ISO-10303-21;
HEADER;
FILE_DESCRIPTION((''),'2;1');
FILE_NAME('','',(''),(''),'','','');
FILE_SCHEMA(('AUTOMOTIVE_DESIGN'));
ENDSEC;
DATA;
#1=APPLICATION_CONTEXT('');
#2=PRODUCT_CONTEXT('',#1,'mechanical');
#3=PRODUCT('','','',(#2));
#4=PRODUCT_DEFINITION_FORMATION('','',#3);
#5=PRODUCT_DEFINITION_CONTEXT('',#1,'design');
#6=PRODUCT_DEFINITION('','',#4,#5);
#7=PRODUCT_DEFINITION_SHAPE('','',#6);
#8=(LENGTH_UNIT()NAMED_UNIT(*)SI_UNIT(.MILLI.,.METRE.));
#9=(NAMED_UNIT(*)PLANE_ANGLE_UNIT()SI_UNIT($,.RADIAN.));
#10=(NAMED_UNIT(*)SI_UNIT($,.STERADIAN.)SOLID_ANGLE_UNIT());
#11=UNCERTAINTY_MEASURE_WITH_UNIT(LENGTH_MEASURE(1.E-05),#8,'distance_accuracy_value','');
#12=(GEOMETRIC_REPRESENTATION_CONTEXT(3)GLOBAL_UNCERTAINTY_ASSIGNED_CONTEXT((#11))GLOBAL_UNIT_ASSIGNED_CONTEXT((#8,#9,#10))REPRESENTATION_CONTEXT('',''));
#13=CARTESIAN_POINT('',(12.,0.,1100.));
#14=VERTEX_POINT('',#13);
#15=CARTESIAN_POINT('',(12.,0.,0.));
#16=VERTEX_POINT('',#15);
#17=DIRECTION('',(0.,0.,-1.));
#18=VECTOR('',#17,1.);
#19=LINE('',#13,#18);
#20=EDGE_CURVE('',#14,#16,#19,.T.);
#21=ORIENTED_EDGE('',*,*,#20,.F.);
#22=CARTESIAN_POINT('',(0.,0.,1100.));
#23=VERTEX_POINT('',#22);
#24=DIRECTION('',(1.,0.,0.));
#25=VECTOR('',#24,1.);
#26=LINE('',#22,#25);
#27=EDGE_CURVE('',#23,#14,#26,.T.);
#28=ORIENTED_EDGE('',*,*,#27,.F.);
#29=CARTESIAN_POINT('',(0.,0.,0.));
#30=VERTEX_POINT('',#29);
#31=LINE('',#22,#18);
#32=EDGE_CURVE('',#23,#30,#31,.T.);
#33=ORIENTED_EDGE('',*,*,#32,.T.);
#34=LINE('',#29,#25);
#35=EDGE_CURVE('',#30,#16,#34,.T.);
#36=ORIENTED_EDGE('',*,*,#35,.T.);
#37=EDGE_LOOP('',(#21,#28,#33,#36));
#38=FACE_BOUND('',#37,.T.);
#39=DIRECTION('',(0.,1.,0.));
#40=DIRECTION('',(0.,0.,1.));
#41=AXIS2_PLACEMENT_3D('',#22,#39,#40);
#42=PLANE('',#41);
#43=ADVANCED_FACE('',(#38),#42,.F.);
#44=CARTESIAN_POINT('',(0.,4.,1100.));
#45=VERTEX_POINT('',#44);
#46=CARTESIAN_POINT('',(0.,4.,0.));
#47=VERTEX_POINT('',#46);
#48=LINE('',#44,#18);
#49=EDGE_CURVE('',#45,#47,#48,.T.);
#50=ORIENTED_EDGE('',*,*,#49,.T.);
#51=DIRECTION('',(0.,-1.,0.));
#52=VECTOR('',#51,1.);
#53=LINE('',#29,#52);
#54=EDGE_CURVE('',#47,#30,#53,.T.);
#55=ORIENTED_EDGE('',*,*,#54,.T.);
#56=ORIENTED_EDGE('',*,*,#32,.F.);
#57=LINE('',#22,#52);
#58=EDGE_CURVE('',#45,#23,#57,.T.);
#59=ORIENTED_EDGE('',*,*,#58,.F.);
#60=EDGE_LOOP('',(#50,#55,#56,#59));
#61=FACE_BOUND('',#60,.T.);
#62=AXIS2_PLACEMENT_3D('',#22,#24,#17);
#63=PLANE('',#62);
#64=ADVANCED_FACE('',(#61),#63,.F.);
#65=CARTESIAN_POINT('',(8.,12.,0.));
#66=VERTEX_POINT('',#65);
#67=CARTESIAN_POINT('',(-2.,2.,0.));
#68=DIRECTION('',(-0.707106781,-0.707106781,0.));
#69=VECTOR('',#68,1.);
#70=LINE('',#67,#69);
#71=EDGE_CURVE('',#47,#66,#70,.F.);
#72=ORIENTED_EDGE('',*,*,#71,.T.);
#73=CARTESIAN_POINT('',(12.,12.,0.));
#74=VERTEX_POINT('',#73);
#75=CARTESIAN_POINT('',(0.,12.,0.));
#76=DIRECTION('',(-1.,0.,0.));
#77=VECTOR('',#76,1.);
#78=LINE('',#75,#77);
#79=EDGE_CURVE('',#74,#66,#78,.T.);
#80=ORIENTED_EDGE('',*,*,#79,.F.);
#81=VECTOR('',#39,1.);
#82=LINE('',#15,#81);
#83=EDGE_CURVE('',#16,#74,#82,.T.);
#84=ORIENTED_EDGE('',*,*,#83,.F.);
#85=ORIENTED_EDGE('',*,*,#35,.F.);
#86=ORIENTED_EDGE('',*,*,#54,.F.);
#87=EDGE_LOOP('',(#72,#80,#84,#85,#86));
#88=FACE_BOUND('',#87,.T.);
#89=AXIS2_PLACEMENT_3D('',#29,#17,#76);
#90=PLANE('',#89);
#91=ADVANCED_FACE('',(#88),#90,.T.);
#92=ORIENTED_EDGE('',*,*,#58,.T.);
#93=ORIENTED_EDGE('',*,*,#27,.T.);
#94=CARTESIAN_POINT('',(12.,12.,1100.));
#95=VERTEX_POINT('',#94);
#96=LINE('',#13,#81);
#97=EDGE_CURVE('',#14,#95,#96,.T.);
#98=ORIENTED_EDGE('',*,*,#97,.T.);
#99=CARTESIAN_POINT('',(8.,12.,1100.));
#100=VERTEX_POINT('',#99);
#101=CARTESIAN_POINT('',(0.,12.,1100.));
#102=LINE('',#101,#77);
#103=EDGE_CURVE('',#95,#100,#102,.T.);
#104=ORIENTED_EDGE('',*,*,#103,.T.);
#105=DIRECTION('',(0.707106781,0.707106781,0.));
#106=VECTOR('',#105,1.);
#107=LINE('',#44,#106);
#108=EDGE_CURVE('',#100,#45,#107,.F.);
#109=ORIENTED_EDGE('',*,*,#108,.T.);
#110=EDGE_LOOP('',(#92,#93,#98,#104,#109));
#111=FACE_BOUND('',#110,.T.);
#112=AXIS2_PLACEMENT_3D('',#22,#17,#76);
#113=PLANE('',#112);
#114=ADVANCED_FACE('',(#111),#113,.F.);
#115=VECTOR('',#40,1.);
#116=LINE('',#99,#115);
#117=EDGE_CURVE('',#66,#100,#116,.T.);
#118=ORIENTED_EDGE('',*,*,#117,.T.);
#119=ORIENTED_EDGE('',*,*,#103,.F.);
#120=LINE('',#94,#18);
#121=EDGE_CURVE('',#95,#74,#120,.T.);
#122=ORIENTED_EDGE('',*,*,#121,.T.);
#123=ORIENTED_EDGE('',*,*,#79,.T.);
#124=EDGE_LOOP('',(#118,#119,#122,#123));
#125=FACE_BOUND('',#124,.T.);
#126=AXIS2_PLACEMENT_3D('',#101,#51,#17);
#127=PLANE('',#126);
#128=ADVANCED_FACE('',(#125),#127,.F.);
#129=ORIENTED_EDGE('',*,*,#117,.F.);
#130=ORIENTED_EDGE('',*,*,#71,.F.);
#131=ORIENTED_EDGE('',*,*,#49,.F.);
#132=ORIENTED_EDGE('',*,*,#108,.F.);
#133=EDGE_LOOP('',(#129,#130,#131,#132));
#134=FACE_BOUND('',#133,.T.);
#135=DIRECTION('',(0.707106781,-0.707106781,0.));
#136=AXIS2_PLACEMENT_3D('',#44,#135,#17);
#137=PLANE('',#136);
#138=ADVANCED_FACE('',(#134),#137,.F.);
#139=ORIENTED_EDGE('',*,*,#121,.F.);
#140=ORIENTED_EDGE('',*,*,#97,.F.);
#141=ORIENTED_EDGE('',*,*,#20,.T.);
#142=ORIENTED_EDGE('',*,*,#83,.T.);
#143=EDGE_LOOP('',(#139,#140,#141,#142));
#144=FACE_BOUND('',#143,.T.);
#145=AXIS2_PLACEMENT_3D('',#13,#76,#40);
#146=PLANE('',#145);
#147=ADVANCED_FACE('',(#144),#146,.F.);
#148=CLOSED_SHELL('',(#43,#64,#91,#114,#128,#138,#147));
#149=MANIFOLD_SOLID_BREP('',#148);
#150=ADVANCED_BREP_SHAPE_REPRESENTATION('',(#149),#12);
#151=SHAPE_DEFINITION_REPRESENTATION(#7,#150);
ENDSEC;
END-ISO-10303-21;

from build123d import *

# Parameters (mm, degrees)
ESQUISSE1_W        = 12
ESQUISSE1_H        = 12
BOSS_EXTRU_1_DEPTH = 1100
CHANFREIN1_SIZE    = 8


with BuildPart() as part:
    # Esquisse1 → Boss.-Extru.1 (new body)
    with BuildSketch(Plane.XY):
        with Locations((6, 6)):
            Rectangle(ESQUISSE1_W, ESQUISSE1_H)
    extrude(amount=BOSS_EXTRU_1_DEPTH)

    # Chanfrein1
    chanfrein1_edges = [part.edges().sort_by_distance(p)[0] for p in [
        (0, 12, 550),
    ]]
    chamfer(chanfrein1_edges, length=CHANFREIN1_SIZE)


solid = part.part
